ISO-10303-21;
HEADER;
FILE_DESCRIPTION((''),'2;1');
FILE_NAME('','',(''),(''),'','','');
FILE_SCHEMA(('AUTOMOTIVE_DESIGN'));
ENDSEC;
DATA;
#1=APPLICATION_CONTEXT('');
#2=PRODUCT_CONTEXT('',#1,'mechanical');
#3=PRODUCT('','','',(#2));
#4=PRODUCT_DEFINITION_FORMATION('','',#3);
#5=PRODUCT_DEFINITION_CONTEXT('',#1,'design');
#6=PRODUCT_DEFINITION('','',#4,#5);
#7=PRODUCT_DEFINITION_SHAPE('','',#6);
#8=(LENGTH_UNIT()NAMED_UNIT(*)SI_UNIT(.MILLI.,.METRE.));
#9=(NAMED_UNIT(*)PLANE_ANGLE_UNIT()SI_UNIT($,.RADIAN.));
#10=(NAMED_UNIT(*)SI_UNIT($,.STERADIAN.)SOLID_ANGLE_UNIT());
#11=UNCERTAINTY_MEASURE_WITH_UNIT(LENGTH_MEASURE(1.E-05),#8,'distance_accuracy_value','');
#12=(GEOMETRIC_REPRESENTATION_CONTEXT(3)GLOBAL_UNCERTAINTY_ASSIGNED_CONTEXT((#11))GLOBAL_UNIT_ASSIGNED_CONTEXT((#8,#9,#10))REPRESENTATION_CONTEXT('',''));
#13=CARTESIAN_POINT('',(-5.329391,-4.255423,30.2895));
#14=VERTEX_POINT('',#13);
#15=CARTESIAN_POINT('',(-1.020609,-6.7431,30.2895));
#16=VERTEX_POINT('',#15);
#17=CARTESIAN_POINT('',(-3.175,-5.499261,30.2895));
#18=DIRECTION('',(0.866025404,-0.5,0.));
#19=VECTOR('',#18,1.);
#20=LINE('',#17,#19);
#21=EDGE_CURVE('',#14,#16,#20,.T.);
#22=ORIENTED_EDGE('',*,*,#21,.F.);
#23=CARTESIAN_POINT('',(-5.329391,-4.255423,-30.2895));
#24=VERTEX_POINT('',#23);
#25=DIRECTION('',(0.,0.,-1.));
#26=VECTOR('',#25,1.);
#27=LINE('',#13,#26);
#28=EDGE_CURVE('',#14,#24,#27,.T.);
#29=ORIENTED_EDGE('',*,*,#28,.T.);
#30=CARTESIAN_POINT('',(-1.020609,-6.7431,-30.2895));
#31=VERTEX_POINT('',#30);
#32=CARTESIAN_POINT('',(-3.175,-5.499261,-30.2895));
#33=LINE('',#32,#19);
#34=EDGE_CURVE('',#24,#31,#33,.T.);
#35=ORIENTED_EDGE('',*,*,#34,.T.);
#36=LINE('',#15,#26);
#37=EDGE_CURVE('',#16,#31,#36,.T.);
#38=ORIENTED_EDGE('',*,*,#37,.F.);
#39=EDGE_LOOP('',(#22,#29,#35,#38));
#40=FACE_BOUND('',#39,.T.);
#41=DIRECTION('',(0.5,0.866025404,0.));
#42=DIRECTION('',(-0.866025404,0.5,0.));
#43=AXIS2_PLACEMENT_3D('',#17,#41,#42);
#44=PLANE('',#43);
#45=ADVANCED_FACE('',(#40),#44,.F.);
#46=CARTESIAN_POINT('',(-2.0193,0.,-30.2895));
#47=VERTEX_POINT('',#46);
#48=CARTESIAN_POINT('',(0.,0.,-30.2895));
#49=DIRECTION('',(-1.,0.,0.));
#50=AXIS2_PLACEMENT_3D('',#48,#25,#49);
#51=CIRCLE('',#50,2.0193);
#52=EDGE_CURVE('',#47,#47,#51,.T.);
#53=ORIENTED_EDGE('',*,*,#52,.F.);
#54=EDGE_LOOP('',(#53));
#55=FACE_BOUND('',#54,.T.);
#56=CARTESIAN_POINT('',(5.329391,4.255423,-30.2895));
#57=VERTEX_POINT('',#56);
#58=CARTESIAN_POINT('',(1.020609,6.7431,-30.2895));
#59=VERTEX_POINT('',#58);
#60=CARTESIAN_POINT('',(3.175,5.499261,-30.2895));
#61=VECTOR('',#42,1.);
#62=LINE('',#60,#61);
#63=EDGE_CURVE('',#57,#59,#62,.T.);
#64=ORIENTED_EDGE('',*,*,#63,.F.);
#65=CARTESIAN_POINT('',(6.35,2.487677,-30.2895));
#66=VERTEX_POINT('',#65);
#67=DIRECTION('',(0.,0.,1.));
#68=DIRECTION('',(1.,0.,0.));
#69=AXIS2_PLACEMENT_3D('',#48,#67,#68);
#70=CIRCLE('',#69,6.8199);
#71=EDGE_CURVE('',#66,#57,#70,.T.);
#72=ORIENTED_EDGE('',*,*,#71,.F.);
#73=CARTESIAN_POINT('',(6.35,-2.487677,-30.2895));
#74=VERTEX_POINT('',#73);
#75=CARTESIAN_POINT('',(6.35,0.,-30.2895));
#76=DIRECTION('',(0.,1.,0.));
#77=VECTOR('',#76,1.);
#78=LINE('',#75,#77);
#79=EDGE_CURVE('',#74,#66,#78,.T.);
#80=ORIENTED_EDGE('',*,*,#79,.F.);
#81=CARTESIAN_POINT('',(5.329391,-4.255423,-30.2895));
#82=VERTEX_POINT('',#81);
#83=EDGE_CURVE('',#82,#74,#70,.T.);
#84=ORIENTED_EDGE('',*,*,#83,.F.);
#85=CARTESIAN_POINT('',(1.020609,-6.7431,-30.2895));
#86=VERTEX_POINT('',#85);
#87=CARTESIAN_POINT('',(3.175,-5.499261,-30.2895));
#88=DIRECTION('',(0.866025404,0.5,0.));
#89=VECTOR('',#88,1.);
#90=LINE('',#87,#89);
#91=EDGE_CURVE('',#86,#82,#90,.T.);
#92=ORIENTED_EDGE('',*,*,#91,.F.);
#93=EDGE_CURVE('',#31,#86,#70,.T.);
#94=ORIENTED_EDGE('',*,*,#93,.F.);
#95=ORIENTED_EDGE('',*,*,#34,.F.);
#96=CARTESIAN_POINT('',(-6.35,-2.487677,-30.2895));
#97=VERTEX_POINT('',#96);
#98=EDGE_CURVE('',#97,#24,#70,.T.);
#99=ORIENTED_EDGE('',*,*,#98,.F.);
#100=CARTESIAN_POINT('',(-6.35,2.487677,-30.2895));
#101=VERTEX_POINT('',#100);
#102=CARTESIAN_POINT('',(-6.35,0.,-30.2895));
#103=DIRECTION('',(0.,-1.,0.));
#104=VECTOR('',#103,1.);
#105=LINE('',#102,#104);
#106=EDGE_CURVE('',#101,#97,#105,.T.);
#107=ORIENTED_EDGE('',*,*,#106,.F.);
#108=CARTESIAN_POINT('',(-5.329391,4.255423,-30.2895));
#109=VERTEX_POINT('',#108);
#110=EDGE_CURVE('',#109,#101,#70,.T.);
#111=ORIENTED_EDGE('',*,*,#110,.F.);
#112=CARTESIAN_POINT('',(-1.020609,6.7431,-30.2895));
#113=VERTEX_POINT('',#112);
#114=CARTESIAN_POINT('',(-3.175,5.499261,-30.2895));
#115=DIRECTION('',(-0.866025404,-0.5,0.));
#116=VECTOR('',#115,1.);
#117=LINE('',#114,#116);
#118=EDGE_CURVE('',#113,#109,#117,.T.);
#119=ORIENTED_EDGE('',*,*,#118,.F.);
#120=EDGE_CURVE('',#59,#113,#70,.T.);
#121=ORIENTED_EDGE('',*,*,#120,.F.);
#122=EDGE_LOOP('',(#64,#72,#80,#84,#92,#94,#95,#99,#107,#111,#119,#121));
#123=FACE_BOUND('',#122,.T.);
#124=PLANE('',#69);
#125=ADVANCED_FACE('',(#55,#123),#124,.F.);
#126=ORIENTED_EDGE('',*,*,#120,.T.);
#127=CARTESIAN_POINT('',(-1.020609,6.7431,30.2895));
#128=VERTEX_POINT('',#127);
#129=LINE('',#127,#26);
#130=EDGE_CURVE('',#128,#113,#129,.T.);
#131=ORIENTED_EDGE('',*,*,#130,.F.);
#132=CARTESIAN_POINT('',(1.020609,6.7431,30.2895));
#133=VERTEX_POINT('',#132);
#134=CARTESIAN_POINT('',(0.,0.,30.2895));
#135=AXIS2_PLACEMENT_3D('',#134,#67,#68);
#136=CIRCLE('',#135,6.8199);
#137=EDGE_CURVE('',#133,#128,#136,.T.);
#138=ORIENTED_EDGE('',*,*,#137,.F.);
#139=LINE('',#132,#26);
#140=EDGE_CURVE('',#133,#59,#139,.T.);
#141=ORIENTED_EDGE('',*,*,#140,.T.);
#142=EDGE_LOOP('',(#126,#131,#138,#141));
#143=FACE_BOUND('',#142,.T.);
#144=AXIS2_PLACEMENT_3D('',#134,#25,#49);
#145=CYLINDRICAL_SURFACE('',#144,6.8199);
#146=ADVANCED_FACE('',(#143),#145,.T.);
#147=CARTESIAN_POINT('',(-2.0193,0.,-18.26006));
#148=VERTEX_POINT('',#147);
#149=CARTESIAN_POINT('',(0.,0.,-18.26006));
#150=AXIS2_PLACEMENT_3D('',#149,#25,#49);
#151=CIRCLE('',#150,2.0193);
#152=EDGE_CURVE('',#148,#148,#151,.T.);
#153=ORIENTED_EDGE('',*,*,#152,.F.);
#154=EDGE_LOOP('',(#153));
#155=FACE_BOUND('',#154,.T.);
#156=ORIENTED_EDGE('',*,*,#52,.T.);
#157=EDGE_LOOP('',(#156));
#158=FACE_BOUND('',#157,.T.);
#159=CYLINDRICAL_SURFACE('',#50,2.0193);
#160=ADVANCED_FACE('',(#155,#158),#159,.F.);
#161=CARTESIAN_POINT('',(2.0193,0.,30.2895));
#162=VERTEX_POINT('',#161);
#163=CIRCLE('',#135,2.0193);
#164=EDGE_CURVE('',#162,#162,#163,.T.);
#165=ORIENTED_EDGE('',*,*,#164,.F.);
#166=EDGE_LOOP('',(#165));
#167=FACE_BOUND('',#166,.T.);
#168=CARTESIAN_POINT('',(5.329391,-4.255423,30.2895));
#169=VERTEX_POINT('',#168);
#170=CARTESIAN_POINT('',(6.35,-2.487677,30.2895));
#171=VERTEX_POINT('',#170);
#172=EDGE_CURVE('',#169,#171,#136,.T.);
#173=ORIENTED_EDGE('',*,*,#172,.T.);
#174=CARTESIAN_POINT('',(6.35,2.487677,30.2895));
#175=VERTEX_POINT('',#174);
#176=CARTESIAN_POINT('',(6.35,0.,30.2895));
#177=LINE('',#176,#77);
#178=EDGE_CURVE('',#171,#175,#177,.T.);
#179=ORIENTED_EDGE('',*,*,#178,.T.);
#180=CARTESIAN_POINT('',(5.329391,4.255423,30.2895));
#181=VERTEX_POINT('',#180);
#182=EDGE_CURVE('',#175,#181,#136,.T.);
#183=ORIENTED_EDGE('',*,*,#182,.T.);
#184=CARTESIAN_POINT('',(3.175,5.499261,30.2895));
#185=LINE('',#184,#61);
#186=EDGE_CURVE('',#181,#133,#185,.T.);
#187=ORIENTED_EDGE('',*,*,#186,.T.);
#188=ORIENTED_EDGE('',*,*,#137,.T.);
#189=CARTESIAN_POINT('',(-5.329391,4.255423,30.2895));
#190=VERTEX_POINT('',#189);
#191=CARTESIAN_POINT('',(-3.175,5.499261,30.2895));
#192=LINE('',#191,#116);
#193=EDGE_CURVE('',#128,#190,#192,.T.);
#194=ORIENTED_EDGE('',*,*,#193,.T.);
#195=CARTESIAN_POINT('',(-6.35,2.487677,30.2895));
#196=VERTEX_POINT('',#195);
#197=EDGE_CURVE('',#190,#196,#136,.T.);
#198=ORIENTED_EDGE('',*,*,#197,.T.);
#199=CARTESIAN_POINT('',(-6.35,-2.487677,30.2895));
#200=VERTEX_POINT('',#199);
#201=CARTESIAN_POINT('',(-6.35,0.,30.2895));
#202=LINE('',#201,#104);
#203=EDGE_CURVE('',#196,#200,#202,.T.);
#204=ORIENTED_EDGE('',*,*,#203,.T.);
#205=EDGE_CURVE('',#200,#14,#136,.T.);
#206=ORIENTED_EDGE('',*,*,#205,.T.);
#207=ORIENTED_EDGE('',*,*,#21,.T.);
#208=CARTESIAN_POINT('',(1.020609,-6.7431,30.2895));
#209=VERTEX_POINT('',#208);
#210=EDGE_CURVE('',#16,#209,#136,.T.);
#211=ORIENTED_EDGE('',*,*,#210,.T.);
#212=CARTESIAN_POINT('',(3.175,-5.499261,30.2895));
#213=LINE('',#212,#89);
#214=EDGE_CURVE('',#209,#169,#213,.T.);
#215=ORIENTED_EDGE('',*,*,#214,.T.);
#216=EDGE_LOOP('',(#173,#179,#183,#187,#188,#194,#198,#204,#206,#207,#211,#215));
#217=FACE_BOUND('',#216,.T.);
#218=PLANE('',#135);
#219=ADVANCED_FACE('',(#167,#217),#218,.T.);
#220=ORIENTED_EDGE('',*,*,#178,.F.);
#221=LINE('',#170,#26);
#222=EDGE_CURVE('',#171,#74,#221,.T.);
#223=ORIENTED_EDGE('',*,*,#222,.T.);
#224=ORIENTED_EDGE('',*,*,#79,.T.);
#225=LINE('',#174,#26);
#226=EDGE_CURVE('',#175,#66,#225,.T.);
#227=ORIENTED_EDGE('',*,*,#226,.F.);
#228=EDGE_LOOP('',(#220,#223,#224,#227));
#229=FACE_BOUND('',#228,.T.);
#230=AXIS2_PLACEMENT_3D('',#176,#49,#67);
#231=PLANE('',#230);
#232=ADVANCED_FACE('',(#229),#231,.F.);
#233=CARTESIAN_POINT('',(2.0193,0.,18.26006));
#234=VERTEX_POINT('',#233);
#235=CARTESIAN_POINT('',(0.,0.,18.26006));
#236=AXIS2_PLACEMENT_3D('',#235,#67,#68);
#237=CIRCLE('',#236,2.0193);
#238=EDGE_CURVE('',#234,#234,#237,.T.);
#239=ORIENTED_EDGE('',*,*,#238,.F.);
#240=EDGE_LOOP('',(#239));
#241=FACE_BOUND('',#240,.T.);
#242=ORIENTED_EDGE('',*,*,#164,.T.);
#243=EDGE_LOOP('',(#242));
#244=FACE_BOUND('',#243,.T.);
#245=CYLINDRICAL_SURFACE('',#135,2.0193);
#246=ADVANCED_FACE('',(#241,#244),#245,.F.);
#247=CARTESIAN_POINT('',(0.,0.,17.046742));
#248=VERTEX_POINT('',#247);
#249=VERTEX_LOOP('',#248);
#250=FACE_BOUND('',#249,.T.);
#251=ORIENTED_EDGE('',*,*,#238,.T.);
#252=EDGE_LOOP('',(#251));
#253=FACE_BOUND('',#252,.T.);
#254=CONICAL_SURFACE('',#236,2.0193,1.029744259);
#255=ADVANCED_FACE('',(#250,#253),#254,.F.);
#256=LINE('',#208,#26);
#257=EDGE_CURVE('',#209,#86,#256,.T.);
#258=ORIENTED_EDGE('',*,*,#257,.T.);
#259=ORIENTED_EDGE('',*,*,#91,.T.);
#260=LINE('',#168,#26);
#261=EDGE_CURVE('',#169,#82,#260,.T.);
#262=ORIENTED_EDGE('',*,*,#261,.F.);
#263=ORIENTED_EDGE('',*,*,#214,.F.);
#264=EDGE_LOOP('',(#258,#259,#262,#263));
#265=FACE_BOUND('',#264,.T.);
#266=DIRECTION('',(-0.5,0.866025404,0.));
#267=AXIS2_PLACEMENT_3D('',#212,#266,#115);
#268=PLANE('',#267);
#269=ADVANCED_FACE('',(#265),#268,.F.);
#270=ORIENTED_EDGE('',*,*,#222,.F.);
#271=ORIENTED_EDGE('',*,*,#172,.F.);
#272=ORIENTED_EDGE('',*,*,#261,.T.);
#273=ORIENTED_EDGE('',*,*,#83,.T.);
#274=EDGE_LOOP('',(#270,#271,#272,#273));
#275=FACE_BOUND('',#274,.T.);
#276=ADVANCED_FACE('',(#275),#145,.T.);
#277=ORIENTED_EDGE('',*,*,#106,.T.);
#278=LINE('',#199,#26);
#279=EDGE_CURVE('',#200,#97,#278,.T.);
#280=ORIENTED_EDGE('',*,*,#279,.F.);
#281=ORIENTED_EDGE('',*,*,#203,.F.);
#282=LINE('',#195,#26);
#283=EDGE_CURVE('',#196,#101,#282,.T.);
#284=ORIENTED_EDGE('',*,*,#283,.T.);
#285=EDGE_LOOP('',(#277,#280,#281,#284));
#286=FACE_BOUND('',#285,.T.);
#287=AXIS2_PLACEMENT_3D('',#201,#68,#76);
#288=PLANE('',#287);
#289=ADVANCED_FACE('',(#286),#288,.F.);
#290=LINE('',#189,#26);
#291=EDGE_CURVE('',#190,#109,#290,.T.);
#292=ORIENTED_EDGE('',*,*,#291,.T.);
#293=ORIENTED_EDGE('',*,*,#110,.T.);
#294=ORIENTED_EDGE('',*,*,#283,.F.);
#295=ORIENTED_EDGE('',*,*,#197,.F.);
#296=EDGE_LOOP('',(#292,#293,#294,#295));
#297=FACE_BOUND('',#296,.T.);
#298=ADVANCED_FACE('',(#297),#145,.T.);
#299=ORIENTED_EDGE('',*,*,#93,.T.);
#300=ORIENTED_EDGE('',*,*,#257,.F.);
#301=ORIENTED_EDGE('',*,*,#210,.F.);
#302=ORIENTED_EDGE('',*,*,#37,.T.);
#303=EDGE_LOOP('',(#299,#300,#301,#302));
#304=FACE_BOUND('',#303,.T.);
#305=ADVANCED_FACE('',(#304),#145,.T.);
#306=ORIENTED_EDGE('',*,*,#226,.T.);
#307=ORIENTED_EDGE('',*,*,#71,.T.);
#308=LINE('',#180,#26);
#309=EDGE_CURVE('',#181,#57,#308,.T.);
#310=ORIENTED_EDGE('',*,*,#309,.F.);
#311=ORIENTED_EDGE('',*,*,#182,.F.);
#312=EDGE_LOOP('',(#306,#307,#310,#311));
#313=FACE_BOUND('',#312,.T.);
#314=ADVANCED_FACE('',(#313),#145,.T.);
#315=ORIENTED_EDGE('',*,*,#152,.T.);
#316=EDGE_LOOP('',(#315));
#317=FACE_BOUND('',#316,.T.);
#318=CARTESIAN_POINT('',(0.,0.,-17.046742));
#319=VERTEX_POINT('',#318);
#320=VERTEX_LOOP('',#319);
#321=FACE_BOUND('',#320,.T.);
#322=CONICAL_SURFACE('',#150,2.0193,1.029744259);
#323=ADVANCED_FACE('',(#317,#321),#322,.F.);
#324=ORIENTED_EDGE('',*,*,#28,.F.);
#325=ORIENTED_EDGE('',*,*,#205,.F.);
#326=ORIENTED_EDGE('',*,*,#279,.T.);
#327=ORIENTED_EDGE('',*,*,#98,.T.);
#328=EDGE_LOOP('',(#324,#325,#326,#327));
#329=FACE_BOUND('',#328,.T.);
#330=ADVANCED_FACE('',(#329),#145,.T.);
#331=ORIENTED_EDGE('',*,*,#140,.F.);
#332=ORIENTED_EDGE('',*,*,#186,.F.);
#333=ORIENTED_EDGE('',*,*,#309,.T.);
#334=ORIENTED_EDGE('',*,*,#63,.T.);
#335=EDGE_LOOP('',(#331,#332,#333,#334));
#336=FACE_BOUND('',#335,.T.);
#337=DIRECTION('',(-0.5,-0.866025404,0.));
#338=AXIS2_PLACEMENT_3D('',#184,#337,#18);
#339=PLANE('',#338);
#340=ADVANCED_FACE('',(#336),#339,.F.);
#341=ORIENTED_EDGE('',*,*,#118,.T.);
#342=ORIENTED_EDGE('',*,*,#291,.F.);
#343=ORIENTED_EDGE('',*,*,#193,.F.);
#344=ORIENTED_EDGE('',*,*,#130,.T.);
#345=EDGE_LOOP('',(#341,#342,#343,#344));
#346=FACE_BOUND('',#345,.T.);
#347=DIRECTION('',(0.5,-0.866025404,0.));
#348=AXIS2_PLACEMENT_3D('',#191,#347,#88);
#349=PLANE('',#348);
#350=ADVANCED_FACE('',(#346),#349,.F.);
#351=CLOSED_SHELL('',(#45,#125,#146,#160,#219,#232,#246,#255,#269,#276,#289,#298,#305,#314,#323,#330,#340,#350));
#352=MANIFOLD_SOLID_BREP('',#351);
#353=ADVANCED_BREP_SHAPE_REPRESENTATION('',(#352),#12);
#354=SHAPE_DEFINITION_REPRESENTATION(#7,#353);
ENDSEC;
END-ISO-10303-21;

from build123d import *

# Parameters (mm, degrees)
BOSS_EXTRUDE1_DEPTH        = 30.2895
F_10_32_TAPPED_HOLE1_D     = 4.0386
F_10_32_TAPPED_HOLE1_DEPTH = 12.02944
F_10_32_TAPPED_HOLE1_TIP   = 1.213317848
F_10_32_TAPPED_HOLE2_D     = 4.0386
F_10_32_TAPPED_HOLE2_DEPTH = 12.02944
F_10_32_TAPPED_HOLE2_TIP   = 1.213317848


with BuildPart() as part:
    # Sketch1 → Boss-Extrude1 (new, symmetric)
    with BuildSketch(Plane.XY):
        with BuildLine():
            ThreePointArc((6.35, 2.48767683), (5.906206651, 3.40995), (5.329391331, 4.255422899))
            Line((5.329391331, 4.255422899), (1.020608669, 6.743099729))
            ThreePointArc((1.020608669, 6.743099729), (0, 6.8199), (-1.020608669, 6.743099729))
            Line((-1.020608669, 6.743099729), (-5.329391331, 4.255422899))
            ThreePointArc((-5.329391331, 4.255422899), (-5.906206651, 3.40995), (-6.35, 2.48767683))
            Line((-6.35, 2.48767683), (-6.35, -2.48767683))
            ThreePointArc((-6.35, -2.48767683), (-5.906206651, -3.40995), (-5.329391331, -4.255422899))
            Line((-5.329391331, -4.255422899), (-1.020608669, -6.743099729))
            ThreePointArc((-1.020608669, -6.743099729), (0, -6.8199), (1.020608669, -6.743099729))
            Line((1.020608669, -6.743099729), (5.329391331, -4.255422899))
            ThreePointArc((5.329391331, -4.255422899), (5.906206651, -3.40995), (6.35, -2.48767683))
            Line((6.35, -2.48767683), (6.35, 2.48767683))
        make_face()
    extrude(amount=BOSS_EXTRUDE1_DEPTH, both=True)

    # #10-32 Tapped Hole1
    with Locations(Plane.XY.offset(30.2895)):
        with Locations((0, 0)):
            Hole(F_10_32_TAPPED_HOLE1_D / 2, depth=F_10_32_TAPPED_HOLE1_DEPTH)
            with Locations((0, 0, -(F_10_32_TAPPED_HOLE1_DEPTH + F_10_32_TAPPED_HOLE1_TIP / 2))):  # 118° drill point
                Cone(0, F_10_32_TAPPED_HOLE1_D / 2, F_10_32_TAPPED_HOLE1_TIP, mode=Mode.SUBTRACT)

    # #10-32 Tapped Hole2
    with Locations(Plane(origin=(0, 0, -30.2895), x_dir=(-1, 0, 0), z_dir=(0, 0, -1))):
        with Locations((0, 0)):
            Hole(F_10_32_TAPPED_HOLE2_D / 2, depth=F_10_32_TAPPED_HOLE2_DEPTH)
            with Locations((0, 0, -(F_10_32_TAPPED_HOLE2_DEPTH + F_10_32_TAPPED_HOLE2_TIP / 2))):  # 118° drill point
                Cone(0, F_10_32_TAPPED_HOLE2_D / 2, F_10_32_TAPPED_HOLE2_TIP, mode=Mode.SUBTRACT)


solid = part.part
